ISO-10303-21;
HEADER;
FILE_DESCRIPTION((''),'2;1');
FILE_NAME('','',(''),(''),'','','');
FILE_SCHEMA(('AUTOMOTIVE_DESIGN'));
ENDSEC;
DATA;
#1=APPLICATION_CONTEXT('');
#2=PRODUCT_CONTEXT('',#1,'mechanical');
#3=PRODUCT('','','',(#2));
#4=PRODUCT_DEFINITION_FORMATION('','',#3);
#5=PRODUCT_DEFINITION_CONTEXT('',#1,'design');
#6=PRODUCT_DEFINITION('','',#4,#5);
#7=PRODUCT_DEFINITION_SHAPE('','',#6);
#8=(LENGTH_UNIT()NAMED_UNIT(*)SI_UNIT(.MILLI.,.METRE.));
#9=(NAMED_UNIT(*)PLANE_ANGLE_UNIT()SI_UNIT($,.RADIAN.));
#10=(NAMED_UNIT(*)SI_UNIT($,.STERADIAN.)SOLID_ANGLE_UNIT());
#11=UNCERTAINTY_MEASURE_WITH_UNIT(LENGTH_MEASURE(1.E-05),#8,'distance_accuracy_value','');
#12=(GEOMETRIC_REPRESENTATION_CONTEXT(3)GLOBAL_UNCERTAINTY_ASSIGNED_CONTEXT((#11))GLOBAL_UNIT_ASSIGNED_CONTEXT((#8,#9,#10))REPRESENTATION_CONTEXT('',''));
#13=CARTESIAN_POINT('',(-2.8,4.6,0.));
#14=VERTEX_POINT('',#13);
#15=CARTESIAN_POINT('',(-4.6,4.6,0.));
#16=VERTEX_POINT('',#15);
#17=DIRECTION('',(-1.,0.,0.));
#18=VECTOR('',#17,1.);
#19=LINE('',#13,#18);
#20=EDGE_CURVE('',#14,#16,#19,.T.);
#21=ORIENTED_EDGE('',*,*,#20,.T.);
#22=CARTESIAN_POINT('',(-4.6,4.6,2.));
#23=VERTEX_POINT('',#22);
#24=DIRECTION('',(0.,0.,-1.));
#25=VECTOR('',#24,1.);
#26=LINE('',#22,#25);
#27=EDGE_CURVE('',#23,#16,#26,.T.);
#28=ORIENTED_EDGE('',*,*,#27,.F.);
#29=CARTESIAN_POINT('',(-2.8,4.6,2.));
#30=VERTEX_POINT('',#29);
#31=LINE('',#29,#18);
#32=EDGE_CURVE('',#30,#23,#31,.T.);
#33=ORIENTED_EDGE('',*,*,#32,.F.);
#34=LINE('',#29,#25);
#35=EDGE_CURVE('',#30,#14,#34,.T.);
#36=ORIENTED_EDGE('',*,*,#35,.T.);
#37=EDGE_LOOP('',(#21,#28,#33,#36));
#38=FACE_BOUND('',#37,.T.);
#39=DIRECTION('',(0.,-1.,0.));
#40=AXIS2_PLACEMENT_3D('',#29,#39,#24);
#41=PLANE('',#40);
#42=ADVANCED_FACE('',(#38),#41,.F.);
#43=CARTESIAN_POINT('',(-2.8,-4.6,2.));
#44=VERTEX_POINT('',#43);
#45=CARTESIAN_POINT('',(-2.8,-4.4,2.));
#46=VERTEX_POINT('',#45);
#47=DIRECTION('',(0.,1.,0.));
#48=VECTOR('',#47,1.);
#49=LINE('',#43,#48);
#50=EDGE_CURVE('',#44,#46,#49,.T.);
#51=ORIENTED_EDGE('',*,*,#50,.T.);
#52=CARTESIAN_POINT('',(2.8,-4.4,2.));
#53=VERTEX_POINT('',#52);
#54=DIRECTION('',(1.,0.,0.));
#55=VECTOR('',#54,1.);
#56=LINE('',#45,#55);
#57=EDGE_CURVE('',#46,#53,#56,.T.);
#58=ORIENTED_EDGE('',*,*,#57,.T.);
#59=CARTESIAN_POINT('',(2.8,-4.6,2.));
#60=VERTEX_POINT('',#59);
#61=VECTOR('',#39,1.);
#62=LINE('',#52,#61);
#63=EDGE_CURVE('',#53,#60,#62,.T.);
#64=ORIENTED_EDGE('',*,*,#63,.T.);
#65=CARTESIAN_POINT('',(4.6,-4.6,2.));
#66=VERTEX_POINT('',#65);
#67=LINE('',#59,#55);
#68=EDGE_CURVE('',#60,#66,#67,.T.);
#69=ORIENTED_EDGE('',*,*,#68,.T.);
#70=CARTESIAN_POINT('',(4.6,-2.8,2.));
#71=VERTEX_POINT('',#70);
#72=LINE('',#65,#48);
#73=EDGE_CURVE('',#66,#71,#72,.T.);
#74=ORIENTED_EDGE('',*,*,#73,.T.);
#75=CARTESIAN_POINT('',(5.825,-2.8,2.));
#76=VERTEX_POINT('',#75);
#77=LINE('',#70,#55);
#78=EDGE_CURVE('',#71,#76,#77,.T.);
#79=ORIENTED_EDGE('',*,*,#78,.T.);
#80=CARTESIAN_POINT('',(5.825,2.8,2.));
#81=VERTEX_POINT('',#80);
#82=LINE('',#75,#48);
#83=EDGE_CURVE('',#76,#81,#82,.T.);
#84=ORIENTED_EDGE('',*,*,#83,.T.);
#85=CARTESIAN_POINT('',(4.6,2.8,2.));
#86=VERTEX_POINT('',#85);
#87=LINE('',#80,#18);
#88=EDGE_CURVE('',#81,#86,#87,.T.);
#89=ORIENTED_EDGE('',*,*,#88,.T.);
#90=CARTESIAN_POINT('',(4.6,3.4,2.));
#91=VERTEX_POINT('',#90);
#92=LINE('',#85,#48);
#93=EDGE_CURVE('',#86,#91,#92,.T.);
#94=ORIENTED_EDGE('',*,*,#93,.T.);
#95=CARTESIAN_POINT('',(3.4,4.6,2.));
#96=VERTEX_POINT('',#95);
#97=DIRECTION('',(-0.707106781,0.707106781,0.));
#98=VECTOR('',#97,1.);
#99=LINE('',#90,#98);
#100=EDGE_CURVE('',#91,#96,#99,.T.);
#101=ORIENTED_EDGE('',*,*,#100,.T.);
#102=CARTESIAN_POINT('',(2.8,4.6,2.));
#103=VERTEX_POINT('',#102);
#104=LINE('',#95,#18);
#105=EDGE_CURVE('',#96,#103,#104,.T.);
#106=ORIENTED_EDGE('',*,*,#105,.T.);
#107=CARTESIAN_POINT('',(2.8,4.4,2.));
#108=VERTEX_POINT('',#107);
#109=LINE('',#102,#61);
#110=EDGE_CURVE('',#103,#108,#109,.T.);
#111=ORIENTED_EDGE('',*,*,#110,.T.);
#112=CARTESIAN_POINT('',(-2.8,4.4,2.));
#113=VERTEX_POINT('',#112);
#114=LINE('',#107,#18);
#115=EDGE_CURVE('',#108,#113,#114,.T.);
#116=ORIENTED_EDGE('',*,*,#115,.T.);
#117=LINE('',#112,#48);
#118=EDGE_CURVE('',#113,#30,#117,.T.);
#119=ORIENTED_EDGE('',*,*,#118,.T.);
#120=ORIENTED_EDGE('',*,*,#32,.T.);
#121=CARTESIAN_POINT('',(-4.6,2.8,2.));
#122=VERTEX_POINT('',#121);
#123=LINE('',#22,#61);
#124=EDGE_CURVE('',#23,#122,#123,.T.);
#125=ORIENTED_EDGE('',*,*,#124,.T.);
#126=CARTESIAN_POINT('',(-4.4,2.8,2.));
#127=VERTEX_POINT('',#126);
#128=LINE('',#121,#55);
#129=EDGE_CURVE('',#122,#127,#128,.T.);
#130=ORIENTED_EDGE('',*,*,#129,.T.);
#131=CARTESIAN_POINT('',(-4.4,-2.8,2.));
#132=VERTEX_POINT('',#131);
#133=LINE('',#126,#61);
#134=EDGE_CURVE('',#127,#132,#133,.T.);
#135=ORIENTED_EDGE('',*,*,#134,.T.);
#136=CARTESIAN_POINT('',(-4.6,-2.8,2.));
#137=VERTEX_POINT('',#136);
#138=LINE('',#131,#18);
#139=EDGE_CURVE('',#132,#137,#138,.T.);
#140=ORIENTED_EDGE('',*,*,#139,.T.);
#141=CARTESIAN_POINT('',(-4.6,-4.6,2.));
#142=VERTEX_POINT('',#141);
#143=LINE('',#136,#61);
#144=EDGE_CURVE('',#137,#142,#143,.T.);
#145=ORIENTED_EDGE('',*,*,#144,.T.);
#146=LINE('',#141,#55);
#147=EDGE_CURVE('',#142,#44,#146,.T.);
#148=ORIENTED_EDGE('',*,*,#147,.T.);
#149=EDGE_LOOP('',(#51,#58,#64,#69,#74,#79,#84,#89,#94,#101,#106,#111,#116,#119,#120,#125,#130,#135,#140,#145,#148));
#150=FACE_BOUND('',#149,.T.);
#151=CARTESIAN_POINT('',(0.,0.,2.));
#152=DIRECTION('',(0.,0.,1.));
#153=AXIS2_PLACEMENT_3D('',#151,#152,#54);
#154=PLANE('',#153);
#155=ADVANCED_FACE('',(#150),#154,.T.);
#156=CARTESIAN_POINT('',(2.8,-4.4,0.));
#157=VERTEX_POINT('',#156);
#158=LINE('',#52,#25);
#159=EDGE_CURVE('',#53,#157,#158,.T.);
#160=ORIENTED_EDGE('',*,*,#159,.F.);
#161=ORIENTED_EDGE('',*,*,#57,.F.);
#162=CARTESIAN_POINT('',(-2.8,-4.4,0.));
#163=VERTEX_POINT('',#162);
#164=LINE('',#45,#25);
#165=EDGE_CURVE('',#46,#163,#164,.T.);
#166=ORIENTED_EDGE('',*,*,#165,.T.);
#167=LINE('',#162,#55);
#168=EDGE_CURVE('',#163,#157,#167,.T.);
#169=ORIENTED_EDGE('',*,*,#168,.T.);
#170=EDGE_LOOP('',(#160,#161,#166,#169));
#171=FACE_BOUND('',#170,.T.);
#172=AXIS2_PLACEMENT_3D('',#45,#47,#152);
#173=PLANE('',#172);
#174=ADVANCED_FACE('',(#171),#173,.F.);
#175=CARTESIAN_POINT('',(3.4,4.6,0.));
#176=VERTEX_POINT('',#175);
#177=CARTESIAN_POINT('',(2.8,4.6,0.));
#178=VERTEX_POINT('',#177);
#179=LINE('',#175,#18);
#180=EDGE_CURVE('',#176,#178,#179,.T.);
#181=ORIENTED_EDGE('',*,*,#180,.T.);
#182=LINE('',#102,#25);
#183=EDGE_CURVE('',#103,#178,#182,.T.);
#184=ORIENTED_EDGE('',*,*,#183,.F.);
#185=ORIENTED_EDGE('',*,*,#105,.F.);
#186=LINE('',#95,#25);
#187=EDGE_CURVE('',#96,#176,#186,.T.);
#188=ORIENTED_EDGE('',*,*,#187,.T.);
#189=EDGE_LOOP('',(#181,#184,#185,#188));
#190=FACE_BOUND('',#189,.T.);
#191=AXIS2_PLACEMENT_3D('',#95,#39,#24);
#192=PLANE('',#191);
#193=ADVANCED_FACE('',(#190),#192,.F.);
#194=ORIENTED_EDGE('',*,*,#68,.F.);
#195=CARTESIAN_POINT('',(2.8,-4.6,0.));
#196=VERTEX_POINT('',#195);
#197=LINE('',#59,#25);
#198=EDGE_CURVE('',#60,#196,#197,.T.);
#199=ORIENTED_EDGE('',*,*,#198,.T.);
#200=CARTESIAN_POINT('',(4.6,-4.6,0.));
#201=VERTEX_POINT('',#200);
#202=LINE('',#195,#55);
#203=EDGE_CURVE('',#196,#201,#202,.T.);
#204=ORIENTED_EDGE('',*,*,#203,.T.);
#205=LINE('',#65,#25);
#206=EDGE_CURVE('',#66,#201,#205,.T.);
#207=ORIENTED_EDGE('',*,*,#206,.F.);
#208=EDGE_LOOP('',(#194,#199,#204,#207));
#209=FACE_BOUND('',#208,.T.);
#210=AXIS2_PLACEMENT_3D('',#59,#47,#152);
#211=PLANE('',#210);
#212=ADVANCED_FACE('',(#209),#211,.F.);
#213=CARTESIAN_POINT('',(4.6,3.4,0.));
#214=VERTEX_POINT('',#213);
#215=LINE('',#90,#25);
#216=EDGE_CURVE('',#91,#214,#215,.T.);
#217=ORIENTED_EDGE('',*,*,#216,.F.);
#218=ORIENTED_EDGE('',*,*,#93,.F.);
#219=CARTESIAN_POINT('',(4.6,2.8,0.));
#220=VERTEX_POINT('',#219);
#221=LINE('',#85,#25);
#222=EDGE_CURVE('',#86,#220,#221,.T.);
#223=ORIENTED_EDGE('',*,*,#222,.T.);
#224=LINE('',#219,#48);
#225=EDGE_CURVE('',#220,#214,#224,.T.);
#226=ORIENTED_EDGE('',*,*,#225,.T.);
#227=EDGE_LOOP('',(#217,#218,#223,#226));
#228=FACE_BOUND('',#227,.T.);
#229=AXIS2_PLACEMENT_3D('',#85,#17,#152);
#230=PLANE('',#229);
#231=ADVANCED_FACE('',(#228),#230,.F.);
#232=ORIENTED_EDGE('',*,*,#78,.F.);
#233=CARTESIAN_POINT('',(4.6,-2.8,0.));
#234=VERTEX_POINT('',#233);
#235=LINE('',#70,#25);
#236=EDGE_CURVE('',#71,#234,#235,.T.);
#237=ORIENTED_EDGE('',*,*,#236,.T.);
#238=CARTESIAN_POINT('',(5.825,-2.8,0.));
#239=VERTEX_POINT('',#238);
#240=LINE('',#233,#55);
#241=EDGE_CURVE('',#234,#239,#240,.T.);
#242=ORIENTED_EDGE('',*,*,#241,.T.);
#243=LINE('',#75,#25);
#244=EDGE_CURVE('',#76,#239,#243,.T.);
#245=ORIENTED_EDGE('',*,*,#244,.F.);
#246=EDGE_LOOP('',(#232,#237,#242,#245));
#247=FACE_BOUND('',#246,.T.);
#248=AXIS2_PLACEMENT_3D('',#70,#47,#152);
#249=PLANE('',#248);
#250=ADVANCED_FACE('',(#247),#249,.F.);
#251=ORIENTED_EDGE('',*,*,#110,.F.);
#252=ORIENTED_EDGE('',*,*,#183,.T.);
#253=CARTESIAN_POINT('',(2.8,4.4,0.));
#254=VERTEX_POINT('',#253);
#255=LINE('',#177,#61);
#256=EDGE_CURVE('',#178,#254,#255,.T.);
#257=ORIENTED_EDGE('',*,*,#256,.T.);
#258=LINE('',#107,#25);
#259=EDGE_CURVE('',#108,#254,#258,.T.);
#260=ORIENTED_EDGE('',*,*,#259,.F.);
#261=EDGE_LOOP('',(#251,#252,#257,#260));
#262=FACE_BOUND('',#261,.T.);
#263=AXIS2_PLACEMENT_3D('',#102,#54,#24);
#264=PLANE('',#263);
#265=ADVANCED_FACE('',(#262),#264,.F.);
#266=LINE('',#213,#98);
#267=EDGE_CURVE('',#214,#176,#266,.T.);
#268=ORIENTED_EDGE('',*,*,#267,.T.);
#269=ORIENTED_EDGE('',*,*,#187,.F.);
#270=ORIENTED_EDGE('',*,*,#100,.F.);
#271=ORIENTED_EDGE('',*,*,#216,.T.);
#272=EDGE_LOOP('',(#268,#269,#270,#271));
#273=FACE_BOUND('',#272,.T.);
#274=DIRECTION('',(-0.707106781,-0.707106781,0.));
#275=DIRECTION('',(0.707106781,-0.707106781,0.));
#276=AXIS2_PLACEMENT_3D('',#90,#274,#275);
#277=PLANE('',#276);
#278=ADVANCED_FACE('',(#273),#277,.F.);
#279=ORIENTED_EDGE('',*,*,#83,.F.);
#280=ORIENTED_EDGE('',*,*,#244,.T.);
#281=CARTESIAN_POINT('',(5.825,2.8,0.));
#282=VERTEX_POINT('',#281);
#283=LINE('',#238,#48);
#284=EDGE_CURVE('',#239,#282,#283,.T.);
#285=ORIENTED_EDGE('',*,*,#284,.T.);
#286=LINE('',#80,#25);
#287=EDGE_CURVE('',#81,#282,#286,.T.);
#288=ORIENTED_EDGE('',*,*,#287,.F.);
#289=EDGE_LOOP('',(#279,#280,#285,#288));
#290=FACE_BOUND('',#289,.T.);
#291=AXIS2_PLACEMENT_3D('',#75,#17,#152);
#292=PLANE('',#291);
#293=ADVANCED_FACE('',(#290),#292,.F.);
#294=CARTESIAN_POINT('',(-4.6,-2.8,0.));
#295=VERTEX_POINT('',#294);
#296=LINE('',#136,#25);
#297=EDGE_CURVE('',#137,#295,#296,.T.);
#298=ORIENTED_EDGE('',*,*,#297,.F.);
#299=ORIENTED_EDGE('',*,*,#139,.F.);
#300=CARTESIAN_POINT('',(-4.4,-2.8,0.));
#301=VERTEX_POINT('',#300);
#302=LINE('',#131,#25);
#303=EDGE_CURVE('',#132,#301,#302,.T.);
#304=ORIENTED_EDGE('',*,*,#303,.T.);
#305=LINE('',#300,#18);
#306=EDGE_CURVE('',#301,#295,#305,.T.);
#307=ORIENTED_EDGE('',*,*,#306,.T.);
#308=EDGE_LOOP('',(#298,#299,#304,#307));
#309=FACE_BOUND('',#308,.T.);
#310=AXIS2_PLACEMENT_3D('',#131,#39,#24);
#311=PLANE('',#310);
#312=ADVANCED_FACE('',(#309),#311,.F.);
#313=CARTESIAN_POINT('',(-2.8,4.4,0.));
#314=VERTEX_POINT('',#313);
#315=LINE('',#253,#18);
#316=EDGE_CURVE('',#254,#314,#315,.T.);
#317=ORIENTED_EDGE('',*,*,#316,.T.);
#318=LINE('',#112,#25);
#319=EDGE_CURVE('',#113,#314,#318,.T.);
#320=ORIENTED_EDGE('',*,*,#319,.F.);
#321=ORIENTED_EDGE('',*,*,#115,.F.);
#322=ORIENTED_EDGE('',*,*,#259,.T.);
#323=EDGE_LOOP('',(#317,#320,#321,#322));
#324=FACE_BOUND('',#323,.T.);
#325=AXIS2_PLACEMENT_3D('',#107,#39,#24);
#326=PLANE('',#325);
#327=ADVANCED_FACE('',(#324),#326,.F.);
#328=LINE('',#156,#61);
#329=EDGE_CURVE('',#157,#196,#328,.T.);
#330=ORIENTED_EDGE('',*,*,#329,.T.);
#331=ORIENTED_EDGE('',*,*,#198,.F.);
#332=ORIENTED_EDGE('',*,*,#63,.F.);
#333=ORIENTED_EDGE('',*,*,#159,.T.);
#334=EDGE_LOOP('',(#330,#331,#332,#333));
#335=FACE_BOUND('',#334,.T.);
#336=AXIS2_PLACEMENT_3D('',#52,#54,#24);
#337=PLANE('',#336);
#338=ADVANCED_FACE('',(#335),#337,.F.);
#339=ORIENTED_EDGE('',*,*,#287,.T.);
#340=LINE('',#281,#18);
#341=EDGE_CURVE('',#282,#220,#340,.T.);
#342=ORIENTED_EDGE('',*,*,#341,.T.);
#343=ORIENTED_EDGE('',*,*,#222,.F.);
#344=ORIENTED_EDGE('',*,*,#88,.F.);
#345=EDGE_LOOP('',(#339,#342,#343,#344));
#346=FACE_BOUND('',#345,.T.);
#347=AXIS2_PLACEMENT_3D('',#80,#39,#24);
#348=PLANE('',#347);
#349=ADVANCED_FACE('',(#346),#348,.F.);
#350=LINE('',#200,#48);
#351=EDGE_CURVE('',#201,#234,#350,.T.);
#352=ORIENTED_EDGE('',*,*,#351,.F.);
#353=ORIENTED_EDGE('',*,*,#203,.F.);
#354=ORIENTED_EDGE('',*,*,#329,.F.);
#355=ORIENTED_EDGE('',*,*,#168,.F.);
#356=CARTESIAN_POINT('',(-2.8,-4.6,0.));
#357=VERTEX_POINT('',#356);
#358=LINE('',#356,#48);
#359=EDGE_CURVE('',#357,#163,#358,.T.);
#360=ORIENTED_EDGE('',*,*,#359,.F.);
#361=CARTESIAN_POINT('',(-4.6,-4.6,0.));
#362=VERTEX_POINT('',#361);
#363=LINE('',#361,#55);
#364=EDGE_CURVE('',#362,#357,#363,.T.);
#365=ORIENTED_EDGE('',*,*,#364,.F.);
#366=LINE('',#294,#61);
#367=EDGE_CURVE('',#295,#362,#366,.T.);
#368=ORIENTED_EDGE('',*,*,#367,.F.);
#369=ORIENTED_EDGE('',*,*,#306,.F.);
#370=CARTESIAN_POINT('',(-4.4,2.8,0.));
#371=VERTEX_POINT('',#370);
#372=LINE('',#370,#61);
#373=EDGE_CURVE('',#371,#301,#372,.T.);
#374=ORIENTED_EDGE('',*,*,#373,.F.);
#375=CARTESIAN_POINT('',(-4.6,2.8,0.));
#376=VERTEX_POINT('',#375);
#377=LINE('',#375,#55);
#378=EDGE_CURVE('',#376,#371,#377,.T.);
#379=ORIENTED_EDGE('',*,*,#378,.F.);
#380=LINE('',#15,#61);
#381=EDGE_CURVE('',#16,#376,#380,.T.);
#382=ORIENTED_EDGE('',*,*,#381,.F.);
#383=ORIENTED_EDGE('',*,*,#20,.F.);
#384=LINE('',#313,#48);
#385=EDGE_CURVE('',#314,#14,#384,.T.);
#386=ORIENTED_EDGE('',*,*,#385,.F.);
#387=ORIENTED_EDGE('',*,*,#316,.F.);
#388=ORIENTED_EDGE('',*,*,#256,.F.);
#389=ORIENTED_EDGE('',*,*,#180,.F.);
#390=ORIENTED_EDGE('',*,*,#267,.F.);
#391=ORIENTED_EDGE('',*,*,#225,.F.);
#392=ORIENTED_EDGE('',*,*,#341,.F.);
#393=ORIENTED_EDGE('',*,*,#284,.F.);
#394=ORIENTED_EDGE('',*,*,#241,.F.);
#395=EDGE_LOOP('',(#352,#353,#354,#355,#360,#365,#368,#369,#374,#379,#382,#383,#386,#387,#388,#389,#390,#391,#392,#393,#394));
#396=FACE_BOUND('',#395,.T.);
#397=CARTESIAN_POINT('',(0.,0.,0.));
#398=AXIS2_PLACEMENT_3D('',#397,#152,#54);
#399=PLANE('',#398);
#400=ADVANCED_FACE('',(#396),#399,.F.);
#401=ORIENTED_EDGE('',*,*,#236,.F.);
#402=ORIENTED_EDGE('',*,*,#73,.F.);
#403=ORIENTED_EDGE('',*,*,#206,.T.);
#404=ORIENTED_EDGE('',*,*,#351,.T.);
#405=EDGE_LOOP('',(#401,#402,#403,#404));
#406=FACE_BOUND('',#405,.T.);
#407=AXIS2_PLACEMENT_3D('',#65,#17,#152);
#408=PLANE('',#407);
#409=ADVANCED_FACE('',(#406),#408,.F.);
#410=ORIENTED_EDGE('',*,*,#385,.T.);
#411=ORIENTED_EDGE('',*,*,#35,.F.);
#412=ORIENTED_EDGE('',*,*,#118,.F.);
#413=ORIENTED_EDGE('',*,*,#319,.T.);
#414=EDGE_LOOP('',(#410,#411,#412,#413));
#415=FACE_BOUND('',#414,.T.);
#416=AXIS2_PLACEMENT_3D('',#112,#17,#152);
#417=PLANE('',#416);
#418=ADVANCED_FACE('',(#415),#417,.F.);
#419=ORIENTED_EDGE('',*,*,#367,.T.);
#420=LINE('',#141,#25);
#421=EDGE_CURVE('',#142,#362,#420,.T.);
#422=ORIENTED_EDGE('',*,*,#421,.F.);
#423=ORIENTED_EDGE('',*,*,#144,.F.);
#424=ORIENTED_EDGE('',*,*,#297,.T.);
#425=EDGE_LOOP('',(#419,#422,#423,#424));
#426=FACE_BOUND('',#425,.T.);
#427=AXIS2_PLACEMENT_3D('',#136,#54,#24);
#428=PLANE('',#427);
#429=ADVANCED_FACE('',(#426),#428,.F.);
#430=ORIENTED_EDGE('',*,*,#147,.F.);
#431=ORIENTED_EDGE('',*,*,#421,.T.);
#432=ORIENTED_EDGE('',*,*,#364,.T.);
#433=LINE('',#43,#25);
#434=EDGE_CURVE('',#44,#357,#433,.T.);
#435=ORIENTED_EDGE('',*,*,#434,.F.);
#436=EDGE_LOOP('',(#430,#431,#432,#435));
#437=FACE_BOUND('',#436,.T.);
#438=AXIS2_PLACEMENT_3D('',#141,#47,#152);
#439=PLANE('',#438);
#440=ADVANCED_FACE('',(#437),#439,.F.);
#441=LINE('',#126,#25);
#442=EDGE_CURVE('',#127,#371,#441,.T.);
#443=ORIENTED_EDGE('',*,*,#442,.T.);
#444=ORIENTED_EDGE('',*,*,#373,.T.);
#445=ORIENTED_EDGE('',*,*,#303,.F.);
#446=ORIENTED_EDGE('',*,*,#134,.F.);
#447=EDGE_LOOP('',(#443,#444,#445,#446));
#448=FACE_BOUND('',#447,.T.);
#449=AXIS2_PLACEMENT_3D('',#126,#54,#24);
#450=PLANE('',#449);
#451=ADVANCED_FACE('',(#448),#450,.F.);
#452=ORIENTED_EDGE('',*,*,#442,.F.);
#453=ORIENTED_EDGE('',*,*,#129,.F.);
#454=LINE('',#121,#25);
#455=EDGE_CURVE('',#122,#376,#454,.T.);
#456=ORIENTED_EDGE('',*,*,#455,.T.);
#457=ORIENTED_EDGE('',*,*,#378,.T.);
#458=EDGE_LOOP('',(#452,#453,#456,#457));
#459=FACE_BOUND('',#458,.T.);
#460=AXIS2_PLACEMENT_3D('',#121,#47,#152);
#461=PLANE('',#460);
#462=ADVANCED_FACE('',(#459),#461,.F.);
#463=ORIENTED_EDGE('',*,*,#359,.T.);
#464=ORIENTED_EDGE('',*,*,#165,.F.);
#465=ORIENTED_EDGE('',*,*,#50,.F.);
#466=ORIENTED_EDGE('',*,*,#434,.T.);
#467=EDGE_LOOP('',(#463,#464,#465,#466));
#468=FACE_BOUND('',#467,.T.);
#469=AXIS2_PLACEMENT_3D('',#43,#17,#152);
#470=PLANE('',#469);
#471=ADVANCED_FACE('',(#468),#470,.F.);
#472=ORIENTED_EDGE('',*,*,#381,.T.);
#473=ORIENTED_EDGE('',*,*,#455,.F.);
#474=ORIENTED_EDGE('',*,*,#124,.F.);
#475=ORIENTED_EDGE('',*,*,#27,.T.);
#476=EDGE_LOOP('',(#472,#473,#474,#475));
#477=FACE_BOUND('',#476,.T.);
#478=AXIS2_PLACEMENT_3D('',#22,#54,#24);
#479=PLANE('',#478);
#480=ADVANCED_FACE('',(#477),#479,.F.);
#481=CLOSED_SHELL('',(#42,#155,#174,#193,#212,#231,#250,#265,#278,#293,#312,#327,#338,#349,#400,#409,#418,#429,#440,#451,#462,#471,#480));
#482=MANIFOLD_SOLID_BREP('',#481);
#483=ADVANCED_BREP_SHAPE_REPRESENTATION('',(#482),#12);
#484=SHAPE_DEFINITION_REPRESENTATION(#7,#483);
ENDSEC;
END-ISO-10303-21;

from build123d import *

# Parameters (mm, degrees)
COMPONENT_OUTLINE_DEPTH = 2


with BuildPart() as part:
    # 草图1 → Component_Outline (new body)
    with BuildSketch(Plane.XY):
        Polygon((4.6, -4.6), (4.6, -2.8), (5.825, -2.8), (5.825, 2.8), (4.6, 2.8), (4.6, 3.4), (3.4, 4.6), (2.8, 4.6), (2.8, 4.4), (-2.8, 4.4), (-2.8, 4.6), (-4.6, 4.6), (-4.6, 2.8), (-4.4, 2.8), (-4.4, -2.8), (-4.6, -2.8), (-4.6, -4.6), (-2.8, -4.6), (-2.8, -4.4), (2.8, -4.4), (2.8, -4.6), align=None)
    extrude(amount=COMPONENT_OUTLINE_DEPTH)


solid = part.part
